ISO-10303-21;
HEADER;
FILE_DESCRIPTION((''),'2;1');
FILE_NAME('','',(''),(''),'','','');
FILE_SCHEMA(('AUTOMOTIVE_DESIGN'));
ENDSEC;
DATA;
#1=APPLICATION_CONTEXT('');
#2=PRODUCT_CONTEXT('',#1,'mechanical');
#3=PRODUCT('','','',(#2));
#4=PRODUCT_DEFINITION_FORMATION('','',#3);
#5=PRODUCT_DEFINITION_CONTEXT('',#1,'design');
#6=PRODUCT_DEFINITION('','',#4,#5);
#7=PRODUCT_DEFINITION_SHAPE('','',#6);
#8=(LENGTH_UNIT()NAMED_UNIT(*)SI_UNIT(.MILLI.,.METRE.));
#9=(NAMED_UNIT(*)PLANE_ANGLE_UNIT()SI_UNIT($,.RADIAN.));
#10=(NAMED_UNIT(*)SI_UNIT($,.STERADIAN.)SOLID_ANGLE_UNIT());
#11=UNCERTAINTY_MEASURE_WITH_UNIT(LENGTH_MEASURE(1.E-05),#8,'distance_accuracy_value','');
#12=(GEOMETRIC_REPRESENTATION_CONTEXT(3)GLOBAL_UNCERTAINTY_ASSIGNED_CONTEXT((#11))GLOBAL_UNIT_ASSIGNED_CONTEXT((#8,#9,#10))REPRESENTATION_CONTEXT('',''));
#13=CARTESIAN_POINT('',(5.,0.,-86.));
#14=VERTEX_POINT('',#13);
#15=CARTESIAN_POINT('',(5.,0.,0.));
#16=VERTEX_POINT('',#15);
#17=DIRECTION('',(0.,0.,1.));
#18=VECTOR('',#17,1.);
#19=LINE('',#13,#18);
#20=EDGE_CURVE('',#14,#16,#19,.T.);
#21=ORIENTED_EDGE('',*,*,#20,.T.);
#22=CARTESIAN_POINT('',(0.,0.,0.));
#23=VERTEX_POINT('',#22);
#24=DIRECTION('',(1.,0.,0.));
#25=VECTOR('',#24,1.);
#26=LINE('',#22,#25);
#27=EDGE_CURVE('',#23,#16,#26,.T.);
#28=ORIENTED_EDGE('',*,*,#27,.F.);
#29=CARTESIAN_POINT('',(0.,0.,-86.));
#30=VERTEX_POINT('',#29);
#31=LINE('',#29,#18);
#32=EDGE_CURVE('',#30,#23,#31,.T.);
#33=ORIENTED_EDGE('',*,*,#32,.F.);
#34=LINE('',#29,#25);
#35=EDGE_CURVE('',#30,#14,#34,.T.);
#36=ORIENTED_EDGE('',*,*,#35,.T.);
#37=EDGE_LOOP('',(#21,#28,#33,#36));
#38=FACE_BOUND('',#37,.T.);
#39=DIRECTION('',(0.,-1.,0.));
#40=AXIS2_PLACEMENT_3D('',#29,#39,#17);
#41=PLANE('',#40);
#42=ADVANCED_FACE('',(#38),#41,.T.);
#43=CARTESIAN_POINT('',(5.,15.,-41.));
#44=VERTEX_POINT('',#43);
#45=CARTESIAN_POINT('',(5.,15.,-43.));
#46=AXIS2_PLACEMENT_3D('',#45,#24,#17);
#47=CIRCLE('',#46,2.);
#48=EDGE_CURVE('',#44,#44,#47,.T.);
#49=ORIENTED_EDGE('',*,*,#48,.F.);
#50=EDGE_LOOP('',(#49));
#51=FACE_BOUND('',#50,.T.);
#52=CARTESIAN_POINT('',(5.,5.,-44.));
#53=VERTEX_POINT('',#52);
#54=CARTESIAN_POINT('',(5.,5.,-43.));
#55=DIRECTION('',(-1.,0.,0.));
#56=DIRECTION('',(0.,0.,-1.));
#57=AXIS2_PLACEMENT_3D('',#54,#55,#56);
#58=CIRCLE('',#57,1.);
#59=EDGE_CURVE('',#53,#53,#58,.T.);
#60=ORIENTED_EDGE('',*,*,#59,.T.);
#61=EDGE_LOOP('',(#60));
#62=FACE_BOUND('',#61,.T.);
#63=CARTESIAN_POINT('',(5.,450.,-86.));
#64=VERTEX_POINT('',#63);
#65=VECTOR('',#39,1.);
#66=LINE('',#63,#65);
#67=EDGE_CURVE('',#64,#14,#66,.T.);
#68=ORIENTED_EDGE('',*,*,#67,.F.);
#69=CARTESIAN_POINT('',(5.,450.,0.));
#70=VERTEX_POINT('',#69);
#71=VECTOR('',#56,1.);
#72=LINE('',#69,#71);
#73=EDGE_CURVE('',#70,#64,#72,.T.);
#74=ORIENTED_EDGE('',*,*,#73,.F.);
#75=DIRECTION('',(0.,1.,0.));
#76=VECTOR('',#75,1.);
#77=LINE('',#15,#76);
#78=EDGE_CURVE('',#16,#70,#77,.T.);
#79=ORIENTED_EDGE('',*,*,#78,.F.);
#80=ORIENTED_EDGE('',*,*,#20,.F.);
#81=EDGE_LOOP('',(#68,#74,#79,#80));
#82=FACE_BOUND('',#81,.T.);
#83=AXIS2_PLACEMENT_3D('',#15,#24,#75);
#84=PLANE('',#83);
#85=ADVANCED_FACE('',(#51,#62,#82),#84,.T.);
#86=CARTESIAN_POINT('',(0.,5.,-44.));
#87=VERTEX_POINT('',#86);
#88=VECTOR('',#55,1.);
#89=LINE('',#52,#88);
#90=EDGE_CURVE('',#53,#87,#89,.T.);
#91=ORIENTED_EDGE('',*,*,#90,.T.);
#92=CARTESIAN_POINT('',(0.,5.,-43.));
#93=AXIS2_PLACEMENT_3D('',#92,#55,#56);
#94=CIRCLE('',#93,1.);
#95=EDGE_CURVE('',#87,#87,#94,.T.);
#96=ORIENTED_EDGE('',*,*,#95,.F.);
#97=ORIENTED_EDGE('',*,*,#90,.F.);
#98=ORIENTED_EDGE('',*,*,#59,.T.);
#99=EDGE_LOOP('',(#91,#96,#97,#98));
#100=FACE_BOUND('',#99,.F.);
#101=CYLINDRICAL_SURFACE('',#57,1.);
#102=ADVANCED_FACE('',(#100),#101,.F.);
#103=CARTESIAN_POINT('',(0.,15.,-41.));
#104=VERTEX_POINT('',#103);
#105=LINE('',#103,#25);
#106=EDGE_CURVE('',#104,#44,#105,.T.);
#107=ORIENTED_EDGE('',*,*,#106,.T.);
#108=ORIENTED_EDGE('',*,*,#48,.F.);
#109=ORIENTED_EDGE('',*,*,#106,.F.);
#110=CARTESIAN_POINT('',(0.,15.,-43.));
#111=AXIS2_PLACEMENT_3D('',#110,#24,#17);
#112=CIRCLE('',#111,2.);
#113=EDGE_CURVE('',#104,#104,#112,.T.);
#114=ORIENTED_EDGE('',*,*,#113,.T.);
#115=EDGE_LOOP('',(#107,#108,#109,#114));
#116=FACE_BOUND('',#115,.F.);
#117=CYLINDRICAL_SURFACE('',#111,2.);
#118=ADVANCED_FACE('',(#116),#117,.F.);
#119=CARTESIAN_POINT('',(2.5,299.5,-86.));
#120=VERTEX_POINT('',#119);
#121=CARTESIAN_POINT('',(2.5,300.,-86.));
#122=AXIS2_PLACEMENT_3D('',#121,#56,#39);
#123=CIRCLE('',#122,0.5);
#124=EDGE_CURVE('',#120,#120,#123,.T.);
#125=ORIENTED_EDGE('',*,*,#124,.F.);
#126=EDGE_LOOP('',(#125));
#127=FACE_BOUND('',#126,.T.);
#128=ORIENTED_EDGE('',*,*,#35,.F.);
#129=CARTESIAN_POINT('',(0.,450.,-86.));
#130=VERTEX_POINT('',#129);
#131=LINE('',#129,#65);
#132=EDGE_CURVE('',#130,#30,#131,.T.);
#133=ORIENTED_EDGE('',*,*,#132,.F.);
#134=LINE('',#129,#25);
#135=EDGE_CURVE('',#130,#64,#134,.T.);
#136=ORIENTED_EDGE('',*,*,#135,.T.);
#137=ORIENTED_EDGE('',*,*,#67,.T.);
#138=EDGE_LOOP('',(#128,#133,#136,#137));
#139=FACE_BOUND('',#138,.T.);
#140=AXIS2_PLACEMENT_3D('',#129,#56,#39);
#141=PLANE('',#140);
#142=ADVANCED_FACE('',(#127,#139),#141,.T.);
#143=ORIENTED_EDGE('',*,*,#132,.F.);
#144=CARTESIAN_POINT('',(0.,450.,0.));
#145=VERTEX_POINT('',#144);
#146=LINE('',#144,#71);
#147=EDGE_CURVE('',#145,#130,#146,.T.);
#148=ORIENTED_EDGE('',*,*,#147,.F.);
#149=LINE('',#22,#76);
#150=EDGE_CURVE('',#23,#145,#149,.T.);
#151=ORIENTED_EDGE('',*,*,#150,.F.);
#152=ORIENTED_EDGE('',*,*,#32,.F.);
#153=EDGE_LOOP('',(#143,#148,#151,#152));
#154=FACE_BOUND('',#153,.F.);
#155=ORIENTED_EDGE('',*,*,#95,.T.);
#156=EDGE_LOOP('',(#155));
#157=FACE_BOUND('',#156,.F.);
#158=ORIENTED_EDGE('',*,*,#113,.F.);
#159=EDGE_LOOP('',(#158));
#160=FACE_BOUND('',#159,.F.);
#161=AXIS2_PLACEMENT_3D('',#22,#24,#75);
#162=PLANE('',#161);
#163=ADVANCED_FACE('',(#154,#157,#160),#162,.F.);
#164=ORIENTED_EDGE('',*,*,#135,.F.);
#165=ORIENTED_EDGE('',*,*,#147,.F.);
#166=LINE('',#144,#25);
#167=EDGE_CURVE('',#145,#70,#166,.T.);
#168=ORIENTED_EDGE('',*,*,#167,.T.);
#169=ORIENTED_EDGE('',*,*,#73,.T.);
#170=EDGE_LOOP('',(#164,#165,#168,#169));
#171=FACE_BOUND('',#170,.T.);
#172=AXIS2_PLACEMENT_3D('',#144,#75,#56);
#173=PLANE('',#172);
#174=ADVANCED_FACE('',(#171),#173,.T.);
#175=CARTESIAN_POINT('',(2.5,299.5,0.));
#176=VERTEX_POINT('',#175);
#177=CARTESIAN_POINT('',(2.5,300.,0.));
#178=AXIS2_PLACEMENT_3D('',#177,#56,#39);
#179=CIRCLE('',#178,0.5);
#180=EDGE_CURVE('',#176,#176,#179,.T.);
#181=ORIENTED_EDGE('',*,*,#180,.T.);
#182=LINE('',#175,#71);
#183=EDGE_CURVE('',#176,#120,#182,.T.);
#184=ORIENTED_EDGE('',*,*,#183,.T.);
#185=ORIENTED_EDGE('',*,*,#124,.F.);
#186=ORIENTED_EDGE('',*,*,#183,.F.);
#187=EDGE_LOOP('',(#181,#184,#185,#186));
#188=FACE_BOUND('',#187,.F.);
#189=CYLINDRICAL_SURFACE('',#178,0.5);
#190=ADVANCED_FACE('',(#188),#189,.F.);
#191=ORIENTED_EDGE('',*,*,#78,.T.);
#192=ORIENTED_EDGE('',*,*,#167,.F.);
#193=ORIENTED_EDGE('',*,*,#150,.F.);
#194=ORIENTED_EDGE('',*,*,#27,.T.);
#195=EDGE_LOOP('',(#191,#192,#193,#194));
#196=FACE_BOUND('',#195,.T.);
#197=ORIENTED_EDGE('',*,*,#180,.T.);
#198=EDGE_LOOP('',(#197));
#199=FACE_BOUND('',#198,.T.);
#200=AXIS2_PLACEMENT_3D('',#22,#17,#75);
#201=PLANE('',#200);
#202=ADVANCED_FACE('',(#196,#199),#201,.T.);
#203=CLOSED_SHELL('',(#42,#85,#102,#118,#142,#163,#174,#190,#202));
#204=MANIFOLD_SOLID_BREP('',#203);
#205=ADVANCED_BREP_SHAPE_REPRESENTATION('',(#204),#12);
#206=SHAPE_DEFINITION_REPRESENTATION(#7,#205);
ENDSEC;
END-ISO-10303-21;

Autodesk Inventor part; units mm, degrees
ref_plane "YZ Plane" through (0, 0, 0) normal (1, 0, 0) x (0, 1, 0)
ref_plane "XZ Plane" through (0, 0, 0) normal (0, 1, 0) x (-1, 0, 0)
ref_plane "XY Plane" through (0, 0, 0) normal (0, 0, 1) x (1, 0, 0)
sketch "Sketch1" plane through (0, 0, 0) normal (1, 0, 0) x (0, 1, 0)
  line L0 (0, 0) -> (450, 0)
  line L1 (450, 0) -> (450, -86)
  line L2 (450, -86) -> (0, -86)
  line L3 (0, -86) -> (0, 0)
  dimension "d0" = 450
  dimension "d1" = 86
extrude "Extrusion1" add sketch "Sketch1" along normal blind 5
sketch "Sketch2" plane through (5, 0, 0) normal (1, 0, 0) x (0, 0, -1)
  line L0 (0, 0) -> (86, 0) projected
  line L1 (0, 450) -> (0, 0) projected
  point P0 (43, 5)
  dimension "d4" = 5
  dimension "d5" = 43
hole "Hole1" at (5, 5, -43) direction (-1, 0, 0) diameter 2 end through all
sketch "Sketch3" plane through (0, 0, 0) normal (0, 0, 1) x (1, 0, 0)
  line L0 (0, 450) -> (5, 450) projected
  line L1 (5, 450) -> (5, 0) projected
  point P0 (0, 0)
  point P1 (2.5, 300)
  dimension "d13" = 150
  dimension "d14" = 2.5
hole "Hole2" at (2.5, 300, 0) direction (0, 0, -1) diameter 1 end through all
sketch "Sketch4" plane through (0, 0, 0) normal (-1, 0, 0) x (0, 0, 1)
  line L0 (0, 0) -> (-86, 0) projected
  line L1 (0, 450) -> (0, 0) projected
  point P0 (-43, 15)
  dimension "d22" = 15
  dimension "d23" = 43
hole "Hole3" at (0, 15, -43) direction (1, 0, 0) diameter 4 end through all
properties part number "support_seed_holder" material "Polystyrene, Expanded"
